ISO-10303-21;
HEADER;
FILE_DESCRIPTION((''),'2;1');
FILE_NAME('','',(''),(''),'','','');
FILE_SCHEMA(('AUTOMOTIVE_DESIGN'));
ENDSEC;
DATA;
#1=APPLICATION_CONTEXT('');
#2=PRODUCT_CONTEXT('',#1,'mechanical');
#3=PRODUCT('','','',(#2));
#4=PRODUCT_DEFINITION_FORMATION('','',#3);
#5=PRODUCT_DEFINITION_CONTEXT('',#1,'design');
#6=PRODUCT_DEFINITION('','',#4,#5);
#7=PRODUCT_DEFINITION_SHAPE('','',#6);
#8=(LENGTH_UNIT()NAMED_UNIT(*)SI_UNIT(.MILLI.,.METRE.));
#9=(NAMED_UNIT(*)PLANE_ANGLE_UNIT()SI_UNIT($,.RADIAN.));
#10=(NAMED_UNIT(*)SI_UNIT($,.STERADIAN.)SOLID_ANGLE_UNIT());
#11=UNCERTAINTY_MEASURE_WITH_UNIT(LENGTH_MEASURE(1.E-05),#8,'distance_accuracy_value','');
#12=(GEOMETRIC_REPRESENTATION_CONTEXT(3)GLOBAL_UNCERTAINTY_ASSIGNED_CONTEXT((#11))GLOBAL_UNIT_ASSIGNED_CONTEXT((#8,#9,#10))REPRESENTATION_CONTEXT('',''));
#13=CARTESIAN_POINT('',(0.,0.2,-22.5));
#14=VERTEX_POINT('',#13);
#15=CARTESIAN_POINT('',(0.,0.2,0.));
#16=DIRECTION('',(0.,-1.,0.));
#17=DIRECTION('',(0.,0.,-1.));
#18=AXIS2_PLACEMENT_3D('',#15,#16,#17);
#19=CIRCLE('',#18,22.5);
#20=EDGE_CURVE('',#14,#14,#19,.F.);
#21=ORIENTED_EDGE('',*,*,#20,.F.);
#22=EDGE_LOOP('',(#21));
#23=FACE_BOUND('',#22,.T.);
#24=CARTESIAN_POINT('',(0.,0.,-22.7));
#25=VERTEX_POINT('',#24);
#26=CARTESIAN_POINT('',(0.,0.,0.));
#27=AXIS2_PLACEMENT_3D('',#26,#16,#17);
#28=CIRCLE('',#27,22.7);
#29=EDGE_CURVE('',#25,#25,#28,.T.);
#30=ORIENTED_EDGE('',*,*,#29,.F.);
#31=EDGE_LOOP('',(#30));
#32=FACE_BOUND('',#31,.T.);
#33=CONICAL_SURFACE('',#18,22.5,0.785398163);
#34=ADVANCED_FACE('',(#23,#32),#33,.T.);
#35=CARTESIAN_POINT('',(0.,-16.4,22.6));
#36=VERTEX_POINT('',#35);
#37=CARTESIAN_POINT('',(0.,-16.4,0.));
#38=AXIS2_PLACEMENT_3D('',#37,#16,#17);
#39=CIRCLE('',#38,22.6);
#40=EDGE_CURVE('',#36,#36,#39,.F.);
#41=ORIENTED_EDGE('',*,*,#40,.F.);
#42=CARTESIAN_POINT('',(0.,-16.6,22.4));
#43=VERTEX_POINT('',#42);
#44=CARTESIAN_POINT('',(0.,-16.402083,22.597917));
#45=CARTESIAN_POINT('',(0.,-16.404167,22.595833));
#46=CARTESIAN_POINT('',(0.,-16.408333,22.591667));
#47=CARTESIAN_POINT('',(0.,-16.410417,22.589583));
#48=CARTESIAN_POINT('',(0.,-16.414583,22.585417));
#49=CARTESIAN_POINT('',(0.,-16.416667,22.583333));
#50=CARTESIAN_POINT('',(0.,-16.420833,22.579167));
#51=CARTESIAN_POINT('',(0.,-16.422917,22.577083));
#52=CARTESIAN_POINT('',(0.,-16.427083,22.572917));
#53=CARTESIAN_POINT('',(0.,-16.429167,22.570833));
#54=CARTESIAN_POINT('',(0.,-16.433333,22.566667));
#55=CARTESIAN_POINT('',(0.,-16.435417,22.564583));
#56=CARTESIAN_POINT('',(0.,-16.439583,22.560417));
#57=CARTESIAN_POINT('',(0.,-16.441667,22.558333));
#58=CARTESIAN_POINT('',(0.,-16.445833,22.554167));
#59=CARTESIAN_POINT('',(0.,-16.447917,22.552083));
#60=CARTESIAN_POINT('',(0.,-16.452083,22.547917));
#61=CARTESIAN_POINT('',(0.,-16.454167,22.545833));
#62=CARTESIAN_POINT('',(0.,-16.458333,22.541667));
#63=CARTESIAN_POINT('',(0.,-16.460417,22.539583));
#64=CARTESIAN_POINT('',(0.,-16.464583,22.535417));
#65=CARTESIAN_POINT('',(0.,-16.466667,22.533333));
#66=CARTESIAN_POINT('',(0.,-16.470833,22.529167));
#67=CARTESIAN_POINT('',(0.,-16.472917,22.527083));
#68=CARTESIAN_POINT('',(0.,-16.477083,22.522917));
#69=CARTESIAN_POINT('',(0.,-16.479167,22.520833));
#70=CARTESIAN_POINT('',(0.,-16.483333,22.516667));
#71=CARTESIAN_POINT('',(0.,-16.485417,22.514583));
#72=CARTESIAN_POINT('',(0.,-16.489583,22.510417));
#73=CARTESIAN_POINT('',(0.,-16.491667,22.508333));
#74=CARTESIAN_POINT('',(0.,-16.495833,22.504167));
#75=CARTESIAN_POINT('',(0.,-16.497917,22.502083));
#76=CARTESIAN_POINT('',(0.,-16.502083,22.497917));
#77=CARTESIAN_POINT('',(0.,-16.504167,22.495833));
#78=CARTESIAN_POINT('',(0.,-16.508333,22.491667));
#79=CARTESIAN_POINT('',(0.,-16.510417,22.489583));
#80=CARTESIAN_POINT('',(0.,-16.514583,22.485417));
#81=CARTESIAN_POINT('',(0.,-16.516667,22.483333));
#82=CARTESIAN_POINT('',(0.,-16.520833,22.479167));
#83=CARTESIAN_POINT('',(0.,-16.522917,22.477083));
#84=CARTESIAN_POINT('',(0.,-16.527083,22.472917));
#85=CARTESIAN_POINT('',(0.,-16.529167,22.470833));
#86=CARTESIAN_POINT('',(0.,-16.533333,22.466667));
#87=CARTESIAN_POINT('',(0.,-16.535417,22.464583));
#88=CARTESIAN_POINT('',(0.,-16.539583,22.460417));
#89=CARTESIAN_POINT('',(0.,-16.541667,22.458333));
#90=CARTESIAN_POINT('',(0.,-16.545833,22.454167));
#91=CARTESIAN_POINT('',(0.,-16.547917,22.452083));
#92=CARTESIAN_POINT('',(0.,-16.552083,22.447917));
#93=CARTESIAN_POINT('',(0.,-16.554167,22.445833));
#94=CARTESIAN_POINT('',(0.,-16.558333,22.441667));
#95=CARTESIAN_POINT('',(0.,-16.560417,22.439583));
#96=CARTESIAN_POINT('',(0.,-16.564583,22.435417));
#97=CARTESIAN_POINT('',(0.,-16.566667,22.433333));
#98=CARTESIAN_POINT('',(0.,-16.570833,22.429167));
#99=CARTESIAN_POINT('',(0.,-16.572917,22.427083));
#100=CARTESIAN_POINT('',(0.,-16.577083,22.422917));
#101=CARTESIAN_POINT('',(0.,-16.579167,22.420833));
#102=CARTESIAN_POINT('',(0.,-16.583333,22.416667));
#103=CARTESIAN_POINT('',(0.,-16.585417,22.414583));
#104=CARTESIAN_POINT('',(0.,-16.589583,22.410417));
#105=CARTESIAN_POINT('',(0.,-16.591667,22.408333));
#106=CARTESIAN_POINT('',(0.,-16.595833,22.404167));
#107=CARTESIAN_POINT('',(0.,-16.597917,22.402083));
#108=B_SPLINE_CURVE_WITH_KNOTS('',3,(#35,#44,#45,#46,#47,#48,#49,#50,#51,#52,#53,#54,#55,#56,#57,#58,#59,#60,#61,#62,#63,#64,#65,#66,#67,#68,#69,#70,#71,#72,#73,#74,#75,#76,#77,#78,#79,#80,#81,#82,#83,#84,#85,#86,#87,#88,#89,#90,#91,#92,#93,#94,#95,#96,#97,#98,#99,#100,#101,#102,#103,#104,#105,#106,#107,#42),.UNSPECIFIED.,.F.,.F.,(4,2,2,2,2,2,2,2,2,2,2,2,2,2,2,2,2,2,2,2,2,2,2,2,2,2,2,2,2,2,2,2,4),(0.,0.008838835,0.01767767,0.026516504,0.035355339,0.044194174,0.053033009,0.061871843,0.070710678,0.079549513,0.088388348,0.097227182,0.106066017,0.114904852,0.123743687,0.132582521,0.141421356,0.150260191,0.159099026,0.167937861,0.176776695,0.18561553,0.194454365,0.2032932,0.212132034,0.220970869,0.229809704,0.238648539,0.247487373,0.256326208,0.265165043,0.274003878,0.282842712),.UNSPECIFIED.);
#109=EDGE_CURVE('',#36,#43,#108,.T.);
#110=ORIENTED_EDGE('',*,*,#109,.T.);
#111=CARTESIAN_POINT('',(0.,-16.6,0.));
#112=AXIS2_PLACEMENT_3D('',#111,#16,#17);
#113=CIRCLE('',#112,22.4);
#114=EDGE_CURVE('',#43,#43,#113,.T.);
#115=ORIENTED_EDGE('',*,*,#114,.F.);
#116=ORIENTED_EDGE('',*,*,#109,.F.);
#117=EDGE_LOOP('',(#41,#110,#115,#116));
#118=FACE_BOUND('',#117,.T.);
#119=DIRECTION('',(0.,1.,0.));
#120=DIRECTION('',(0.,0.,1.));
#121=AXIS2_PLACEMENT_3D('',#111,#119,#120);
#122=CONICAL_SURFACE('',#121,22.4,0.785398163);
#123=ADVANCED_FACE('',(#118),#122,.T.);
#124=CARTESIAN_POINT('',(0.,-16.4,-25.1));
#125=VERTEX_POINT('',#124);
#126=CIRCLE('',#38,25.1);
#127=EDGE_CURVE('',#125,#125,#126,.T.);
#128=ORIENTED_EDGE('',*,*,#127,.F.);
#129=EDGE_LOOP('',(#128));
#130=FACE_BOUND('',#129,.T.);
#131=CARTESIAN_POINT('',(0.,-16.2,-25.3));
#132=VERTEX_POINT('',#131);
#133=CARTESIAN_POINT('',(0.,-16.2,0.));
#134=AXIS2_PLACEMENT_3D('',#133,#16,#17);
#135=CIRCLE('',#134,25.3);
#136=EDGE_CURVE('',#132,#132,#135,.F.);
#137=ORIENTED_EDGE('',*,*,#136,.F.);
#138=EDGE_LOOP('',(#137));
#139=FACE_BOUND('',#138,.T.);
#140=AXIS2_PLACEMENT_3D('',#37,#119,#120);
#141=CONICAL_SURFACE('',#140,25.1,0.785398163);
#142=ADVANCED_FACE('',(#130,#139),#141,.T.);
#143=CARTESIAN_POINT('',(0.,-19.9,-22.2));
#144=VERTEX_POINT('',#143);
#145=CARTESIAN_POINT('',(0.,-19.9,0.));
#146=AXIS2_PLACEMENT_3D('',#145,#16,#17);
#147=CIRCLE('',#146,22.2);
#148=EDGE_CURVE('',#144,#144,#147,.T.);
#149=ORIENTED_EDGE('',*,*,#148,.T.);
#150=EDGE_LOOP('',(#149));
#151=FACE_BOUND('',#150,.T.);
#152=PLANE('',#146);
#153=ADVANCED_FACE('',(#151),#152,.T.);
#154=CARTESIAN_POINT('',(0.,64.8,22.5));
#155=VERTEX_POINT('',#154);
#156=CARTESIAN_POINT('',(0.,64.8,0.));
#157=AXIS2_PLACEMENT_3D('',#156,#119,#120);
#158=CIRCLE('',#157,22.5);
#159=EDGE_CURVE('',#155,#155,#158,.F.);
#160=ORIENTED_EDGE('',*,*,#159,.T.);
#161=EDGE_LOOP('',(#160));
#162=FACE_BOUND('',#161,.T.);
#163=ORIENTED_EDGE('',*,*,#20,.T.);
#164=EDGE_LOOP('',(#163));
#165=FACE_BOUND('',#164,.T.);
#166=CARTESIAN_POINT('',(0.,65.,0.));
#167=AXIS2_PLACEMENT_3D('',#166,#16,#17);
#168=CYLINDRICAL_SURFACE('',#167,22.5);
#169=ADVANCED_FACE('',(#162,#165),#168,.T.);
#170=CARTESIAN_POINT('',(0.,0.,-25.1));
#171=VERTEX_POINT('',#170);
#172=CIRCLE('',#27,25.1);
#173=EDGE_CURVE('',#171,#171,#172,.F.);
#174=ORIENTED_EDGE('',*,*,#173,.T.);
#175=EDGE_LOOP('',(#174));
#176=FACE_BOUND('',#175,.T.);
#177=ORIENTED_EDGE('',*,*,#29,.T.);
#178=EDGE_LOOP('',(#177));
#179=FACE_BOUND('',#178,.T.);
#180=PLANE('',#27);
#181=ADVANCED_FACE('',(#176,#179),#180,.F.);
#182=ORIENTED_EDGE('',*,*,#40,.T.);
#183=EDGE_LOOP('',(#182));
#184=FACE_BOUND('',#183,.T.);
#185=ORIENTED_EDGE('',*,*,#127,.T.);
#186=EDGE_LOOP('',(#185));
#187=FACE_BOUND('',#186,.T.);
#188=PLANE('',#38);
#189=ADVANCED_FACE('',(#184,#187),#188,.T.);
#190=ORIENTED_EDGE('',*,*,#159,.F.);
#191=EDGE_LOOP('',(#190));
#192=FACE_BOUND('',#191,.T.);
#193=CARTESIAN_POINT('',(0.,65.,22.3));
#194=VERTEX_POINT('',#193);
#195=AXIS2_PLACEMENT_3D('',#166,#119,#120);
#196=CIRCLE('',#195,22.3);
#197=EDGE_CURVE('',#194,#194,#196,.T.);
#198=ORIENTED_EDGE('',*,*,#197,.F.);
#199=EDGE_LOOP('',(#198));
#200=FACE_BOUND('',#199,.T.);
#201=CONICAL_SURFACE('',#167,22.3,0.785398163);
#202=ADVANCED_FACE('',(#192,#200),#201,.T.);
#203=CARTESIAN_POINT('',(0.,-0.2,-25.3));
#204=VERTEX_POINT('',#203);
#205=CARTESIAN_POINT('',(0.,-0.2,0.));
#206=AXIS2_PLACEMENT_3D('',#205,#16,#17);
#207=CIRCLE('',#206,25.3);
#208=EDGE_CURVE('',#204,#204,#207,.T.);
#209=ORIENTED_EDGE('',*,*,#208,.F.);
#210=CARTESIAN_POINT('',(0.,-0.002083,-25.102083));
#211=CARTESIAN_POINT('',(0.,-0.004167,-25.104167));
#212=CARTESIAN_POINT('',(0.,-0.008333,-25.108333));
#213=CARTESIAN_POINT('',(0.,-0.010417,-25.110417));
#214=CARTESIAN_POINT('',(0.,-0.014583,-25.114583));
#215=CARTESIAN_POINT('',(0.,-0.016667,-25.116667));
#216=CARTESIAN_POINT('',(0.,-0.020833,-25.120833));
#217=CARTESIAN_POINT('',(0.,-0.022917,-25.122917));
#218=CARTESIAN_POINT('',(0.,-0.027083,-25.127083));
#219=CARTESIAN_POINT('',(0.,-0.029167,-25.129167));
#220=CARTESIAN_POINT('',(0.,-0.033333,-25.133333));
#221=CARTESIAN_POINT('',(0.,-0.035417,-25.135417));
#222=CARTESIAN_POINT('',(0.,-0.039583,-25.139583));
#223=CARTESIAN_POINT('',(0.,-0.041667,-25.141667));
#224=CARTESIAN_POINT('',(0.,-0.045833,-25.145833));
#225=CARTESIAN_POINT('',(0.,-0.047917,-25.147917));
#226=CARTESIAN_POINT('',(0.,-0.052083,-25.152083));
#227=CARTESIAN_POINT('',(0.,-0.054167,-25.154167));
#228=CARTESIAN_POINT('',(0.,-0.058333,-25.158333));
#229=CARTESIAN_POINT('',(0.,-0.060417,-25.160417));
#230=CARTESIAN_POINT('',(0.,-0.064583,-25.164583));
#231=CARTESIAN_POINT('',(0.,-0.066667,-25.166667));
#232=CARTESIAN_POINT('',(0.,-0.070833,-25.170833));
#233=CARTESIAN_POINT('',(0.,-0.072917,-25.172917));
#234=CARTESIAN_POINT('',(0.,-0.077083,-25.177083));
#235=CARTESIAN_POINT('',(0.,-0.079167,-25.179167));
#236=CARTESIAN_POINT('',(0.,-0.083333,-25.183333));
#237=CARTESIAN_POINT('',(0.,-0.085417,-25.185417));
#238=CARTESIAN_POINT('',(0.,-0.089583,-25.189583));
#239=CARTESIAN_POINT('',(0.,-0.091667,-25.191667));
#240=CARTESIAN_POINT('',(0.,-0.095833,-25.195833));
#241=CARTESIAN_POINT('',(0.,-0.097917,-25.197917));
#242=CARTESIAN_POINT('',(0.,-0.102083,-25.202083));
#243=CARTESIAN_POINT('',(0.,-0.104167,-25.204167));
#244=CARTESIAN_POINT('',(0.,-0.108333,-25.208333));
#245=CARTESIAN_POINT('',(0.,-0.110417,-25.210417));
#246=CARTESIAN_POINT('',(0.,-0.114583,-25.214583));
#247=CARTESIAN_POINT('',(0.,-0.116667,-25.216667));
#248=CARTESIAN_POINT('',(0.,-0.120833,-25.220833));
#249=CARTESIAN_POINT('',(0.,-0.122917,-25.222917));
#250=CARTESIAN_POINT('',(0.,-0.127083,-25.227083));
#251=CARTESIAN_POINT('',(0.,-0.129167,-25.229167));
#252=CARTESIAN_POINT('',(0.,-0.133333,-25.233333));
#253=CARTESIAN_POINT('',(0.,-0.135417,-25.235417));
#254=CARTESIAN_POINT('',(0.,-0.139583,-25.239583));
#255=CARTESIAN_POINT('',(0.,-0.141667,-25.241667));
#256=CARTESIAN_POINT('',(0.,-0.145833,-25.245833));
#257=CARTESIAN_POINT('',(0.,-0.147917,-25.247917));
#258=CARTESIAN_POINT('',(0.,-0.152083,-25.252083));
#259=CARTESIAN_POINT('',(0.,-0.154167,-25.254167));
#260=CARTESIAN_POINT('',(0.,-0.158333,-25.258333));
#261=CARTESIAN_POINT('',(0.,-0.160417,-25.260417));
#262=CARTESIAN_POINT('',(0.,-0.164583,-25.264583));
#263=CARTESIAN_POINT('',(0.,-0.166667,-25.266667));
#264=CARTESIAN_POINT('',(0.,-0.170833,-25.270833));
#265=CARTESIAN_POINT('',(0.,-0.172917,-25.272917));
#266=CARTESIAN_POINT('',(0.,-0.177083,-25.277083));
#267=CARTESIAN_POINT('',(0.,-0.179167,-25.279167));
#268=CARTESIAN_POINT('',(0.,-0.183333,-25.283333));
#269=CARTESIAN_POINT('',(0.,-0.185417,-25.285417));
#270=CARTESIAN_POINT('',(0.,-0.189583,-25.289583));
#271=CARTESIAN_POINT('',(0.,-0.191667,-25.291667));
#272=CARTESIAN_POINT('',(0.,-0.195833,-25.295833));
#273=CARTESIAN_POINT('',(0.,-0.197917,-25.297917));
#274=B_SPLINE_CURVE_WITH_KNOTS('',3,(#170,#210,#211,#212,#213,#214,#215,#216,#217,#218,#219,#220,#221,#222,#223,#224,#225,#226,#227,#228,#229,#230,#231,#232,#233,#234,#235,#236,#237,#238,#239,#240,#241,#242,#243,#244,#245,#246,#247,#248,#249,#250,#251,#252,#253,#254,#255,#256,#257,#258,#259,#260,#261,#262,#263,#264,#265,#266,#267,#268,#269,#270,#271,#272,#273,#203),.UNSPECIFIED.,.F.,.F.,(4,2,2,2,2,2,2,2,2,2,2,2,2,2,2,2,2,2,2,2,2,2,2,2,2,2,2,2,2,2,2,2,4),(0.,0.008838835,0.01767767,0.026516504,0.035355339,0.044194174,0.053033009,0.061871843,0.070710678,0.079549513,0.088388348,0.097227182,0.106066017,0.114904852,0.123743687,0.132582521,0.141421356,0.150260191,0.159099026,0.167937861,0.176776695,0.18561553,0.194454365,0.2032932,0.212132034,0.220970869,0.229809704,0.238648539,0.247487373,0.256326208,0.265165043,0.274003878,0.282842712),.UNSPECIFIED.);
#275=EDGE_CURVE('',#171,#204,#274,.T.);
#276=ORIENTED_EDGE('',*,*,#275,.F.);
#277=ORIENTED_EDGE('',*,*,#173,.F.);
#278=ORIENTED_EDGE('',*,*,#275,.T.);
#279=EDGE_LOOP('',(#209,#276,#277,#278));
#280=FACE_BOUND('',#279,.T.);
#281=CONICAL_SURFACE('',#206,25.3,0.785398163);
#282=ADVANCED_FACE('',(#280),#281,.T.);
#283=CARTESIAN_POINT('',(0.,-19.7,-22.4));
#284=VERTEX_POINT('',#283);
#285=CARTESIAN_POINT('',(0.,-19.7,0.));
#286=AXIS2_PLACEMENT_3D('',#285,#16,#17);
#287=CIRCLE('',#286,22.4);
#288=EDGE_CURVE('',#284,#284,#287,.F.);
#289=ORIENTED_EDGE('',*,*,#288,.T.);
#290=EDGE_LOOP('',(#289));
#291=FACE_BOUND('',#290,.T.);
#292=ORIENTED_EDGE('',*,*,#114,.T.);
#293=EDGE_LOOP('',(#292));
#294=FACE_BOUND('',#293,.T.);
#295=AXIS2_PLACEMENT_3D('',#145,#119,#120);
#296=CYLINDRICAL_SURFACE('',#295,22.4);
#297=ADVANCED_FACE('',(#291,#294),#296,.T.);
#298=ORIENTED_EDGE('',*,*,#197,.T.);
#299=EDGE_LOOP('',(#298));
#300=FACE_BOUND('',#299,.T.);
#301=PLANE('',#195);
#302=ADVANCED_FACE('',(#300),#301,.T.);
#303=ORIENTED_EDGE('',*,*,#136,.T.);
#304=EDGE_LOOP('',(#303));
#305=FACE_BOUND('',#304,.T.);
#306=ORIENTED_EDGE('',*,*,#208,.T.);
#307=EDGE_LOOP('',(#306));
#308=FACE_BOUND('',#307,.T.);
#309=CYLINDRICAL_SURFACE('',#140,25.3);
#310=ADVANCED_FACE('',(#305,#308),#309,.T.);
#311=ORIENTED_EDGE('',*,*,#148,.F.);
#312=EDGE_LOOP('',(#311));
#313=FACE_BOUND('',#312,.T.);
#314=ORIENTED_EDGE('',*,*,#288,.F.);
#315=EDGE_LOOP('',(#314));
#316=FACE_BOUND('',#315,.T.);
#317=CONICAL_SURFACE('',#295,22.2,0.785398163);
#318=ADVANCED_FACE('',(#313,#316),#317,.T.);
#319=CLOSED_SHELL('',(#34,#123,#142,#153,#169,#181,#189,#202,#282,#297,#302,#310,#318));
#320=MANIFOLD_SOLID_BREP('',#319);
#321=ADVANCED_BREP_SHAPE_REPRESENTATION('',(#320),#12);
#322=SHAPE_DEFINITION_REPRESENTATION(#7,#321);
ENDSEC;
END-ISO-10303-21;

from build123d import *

# Parameters (mm, degrees)
SKETCH1_R           = 22.5
BOSS_EXTRUDE1_DEPTH = 65
SKETCH2_R           = 25.3
BOSS_EXTRUDE2_DEPTH = 16.4
SKETCH3_R           = 22.4
BOSS_EXTRUDE3_DEPTH = 3.5
CHAMFER1_SIZE       = 0.2


with BuildPart() as part:
    # Sketch1 → Boss-Extrude1 (new body)
    with BuildSketch(Plane(origin=(0, 0, 0), x_dir=(1, 0, 0), z_dir=(0, 1, 0))):
        with Locations(Location((0, 0, 0), (0, 0, 270))):
            Circle(SKETCH1_R)
    extrude(amount=BOSS_EXTRUDE1_DEPTH)

    # Sketch2 → Boss-Extrude2 (add)
    with BuildSketch(Plane.XZ):
        with Locations(Location((0, 0, 0), (0, 0, 270))):
            Circle(SKETCH2_R)
    extrude(amount=BOSS_EXTRUDE2_DEPTH)

    # Sketch3 → Boss-Extrude3 (add)
    with BuildSketch(Plane.XZ.offset(16.4)):
        with Locations(Location((0, 0, 0), (0, 0, 270))):
            Circle(SKETCH3_R)
    extrude(amount=BOSS_EXTRUDE3_DEPTH)

    # Chamfer1
    chamfer1_edges = [part.edges().sort_by_distance(p)[0] for p in [
        (0, -19.9, 22.4),
        (0, 65, -22.5),
        (0, 0, -22.5),
        (0, 0, 25.3),
        (0, -16.4, 25.3),
        (0, -16.4, 22.4),
    ]]
    chamfer(chamfer1_edges, length=CHAMFER1_SIZE)


solid = part.part
